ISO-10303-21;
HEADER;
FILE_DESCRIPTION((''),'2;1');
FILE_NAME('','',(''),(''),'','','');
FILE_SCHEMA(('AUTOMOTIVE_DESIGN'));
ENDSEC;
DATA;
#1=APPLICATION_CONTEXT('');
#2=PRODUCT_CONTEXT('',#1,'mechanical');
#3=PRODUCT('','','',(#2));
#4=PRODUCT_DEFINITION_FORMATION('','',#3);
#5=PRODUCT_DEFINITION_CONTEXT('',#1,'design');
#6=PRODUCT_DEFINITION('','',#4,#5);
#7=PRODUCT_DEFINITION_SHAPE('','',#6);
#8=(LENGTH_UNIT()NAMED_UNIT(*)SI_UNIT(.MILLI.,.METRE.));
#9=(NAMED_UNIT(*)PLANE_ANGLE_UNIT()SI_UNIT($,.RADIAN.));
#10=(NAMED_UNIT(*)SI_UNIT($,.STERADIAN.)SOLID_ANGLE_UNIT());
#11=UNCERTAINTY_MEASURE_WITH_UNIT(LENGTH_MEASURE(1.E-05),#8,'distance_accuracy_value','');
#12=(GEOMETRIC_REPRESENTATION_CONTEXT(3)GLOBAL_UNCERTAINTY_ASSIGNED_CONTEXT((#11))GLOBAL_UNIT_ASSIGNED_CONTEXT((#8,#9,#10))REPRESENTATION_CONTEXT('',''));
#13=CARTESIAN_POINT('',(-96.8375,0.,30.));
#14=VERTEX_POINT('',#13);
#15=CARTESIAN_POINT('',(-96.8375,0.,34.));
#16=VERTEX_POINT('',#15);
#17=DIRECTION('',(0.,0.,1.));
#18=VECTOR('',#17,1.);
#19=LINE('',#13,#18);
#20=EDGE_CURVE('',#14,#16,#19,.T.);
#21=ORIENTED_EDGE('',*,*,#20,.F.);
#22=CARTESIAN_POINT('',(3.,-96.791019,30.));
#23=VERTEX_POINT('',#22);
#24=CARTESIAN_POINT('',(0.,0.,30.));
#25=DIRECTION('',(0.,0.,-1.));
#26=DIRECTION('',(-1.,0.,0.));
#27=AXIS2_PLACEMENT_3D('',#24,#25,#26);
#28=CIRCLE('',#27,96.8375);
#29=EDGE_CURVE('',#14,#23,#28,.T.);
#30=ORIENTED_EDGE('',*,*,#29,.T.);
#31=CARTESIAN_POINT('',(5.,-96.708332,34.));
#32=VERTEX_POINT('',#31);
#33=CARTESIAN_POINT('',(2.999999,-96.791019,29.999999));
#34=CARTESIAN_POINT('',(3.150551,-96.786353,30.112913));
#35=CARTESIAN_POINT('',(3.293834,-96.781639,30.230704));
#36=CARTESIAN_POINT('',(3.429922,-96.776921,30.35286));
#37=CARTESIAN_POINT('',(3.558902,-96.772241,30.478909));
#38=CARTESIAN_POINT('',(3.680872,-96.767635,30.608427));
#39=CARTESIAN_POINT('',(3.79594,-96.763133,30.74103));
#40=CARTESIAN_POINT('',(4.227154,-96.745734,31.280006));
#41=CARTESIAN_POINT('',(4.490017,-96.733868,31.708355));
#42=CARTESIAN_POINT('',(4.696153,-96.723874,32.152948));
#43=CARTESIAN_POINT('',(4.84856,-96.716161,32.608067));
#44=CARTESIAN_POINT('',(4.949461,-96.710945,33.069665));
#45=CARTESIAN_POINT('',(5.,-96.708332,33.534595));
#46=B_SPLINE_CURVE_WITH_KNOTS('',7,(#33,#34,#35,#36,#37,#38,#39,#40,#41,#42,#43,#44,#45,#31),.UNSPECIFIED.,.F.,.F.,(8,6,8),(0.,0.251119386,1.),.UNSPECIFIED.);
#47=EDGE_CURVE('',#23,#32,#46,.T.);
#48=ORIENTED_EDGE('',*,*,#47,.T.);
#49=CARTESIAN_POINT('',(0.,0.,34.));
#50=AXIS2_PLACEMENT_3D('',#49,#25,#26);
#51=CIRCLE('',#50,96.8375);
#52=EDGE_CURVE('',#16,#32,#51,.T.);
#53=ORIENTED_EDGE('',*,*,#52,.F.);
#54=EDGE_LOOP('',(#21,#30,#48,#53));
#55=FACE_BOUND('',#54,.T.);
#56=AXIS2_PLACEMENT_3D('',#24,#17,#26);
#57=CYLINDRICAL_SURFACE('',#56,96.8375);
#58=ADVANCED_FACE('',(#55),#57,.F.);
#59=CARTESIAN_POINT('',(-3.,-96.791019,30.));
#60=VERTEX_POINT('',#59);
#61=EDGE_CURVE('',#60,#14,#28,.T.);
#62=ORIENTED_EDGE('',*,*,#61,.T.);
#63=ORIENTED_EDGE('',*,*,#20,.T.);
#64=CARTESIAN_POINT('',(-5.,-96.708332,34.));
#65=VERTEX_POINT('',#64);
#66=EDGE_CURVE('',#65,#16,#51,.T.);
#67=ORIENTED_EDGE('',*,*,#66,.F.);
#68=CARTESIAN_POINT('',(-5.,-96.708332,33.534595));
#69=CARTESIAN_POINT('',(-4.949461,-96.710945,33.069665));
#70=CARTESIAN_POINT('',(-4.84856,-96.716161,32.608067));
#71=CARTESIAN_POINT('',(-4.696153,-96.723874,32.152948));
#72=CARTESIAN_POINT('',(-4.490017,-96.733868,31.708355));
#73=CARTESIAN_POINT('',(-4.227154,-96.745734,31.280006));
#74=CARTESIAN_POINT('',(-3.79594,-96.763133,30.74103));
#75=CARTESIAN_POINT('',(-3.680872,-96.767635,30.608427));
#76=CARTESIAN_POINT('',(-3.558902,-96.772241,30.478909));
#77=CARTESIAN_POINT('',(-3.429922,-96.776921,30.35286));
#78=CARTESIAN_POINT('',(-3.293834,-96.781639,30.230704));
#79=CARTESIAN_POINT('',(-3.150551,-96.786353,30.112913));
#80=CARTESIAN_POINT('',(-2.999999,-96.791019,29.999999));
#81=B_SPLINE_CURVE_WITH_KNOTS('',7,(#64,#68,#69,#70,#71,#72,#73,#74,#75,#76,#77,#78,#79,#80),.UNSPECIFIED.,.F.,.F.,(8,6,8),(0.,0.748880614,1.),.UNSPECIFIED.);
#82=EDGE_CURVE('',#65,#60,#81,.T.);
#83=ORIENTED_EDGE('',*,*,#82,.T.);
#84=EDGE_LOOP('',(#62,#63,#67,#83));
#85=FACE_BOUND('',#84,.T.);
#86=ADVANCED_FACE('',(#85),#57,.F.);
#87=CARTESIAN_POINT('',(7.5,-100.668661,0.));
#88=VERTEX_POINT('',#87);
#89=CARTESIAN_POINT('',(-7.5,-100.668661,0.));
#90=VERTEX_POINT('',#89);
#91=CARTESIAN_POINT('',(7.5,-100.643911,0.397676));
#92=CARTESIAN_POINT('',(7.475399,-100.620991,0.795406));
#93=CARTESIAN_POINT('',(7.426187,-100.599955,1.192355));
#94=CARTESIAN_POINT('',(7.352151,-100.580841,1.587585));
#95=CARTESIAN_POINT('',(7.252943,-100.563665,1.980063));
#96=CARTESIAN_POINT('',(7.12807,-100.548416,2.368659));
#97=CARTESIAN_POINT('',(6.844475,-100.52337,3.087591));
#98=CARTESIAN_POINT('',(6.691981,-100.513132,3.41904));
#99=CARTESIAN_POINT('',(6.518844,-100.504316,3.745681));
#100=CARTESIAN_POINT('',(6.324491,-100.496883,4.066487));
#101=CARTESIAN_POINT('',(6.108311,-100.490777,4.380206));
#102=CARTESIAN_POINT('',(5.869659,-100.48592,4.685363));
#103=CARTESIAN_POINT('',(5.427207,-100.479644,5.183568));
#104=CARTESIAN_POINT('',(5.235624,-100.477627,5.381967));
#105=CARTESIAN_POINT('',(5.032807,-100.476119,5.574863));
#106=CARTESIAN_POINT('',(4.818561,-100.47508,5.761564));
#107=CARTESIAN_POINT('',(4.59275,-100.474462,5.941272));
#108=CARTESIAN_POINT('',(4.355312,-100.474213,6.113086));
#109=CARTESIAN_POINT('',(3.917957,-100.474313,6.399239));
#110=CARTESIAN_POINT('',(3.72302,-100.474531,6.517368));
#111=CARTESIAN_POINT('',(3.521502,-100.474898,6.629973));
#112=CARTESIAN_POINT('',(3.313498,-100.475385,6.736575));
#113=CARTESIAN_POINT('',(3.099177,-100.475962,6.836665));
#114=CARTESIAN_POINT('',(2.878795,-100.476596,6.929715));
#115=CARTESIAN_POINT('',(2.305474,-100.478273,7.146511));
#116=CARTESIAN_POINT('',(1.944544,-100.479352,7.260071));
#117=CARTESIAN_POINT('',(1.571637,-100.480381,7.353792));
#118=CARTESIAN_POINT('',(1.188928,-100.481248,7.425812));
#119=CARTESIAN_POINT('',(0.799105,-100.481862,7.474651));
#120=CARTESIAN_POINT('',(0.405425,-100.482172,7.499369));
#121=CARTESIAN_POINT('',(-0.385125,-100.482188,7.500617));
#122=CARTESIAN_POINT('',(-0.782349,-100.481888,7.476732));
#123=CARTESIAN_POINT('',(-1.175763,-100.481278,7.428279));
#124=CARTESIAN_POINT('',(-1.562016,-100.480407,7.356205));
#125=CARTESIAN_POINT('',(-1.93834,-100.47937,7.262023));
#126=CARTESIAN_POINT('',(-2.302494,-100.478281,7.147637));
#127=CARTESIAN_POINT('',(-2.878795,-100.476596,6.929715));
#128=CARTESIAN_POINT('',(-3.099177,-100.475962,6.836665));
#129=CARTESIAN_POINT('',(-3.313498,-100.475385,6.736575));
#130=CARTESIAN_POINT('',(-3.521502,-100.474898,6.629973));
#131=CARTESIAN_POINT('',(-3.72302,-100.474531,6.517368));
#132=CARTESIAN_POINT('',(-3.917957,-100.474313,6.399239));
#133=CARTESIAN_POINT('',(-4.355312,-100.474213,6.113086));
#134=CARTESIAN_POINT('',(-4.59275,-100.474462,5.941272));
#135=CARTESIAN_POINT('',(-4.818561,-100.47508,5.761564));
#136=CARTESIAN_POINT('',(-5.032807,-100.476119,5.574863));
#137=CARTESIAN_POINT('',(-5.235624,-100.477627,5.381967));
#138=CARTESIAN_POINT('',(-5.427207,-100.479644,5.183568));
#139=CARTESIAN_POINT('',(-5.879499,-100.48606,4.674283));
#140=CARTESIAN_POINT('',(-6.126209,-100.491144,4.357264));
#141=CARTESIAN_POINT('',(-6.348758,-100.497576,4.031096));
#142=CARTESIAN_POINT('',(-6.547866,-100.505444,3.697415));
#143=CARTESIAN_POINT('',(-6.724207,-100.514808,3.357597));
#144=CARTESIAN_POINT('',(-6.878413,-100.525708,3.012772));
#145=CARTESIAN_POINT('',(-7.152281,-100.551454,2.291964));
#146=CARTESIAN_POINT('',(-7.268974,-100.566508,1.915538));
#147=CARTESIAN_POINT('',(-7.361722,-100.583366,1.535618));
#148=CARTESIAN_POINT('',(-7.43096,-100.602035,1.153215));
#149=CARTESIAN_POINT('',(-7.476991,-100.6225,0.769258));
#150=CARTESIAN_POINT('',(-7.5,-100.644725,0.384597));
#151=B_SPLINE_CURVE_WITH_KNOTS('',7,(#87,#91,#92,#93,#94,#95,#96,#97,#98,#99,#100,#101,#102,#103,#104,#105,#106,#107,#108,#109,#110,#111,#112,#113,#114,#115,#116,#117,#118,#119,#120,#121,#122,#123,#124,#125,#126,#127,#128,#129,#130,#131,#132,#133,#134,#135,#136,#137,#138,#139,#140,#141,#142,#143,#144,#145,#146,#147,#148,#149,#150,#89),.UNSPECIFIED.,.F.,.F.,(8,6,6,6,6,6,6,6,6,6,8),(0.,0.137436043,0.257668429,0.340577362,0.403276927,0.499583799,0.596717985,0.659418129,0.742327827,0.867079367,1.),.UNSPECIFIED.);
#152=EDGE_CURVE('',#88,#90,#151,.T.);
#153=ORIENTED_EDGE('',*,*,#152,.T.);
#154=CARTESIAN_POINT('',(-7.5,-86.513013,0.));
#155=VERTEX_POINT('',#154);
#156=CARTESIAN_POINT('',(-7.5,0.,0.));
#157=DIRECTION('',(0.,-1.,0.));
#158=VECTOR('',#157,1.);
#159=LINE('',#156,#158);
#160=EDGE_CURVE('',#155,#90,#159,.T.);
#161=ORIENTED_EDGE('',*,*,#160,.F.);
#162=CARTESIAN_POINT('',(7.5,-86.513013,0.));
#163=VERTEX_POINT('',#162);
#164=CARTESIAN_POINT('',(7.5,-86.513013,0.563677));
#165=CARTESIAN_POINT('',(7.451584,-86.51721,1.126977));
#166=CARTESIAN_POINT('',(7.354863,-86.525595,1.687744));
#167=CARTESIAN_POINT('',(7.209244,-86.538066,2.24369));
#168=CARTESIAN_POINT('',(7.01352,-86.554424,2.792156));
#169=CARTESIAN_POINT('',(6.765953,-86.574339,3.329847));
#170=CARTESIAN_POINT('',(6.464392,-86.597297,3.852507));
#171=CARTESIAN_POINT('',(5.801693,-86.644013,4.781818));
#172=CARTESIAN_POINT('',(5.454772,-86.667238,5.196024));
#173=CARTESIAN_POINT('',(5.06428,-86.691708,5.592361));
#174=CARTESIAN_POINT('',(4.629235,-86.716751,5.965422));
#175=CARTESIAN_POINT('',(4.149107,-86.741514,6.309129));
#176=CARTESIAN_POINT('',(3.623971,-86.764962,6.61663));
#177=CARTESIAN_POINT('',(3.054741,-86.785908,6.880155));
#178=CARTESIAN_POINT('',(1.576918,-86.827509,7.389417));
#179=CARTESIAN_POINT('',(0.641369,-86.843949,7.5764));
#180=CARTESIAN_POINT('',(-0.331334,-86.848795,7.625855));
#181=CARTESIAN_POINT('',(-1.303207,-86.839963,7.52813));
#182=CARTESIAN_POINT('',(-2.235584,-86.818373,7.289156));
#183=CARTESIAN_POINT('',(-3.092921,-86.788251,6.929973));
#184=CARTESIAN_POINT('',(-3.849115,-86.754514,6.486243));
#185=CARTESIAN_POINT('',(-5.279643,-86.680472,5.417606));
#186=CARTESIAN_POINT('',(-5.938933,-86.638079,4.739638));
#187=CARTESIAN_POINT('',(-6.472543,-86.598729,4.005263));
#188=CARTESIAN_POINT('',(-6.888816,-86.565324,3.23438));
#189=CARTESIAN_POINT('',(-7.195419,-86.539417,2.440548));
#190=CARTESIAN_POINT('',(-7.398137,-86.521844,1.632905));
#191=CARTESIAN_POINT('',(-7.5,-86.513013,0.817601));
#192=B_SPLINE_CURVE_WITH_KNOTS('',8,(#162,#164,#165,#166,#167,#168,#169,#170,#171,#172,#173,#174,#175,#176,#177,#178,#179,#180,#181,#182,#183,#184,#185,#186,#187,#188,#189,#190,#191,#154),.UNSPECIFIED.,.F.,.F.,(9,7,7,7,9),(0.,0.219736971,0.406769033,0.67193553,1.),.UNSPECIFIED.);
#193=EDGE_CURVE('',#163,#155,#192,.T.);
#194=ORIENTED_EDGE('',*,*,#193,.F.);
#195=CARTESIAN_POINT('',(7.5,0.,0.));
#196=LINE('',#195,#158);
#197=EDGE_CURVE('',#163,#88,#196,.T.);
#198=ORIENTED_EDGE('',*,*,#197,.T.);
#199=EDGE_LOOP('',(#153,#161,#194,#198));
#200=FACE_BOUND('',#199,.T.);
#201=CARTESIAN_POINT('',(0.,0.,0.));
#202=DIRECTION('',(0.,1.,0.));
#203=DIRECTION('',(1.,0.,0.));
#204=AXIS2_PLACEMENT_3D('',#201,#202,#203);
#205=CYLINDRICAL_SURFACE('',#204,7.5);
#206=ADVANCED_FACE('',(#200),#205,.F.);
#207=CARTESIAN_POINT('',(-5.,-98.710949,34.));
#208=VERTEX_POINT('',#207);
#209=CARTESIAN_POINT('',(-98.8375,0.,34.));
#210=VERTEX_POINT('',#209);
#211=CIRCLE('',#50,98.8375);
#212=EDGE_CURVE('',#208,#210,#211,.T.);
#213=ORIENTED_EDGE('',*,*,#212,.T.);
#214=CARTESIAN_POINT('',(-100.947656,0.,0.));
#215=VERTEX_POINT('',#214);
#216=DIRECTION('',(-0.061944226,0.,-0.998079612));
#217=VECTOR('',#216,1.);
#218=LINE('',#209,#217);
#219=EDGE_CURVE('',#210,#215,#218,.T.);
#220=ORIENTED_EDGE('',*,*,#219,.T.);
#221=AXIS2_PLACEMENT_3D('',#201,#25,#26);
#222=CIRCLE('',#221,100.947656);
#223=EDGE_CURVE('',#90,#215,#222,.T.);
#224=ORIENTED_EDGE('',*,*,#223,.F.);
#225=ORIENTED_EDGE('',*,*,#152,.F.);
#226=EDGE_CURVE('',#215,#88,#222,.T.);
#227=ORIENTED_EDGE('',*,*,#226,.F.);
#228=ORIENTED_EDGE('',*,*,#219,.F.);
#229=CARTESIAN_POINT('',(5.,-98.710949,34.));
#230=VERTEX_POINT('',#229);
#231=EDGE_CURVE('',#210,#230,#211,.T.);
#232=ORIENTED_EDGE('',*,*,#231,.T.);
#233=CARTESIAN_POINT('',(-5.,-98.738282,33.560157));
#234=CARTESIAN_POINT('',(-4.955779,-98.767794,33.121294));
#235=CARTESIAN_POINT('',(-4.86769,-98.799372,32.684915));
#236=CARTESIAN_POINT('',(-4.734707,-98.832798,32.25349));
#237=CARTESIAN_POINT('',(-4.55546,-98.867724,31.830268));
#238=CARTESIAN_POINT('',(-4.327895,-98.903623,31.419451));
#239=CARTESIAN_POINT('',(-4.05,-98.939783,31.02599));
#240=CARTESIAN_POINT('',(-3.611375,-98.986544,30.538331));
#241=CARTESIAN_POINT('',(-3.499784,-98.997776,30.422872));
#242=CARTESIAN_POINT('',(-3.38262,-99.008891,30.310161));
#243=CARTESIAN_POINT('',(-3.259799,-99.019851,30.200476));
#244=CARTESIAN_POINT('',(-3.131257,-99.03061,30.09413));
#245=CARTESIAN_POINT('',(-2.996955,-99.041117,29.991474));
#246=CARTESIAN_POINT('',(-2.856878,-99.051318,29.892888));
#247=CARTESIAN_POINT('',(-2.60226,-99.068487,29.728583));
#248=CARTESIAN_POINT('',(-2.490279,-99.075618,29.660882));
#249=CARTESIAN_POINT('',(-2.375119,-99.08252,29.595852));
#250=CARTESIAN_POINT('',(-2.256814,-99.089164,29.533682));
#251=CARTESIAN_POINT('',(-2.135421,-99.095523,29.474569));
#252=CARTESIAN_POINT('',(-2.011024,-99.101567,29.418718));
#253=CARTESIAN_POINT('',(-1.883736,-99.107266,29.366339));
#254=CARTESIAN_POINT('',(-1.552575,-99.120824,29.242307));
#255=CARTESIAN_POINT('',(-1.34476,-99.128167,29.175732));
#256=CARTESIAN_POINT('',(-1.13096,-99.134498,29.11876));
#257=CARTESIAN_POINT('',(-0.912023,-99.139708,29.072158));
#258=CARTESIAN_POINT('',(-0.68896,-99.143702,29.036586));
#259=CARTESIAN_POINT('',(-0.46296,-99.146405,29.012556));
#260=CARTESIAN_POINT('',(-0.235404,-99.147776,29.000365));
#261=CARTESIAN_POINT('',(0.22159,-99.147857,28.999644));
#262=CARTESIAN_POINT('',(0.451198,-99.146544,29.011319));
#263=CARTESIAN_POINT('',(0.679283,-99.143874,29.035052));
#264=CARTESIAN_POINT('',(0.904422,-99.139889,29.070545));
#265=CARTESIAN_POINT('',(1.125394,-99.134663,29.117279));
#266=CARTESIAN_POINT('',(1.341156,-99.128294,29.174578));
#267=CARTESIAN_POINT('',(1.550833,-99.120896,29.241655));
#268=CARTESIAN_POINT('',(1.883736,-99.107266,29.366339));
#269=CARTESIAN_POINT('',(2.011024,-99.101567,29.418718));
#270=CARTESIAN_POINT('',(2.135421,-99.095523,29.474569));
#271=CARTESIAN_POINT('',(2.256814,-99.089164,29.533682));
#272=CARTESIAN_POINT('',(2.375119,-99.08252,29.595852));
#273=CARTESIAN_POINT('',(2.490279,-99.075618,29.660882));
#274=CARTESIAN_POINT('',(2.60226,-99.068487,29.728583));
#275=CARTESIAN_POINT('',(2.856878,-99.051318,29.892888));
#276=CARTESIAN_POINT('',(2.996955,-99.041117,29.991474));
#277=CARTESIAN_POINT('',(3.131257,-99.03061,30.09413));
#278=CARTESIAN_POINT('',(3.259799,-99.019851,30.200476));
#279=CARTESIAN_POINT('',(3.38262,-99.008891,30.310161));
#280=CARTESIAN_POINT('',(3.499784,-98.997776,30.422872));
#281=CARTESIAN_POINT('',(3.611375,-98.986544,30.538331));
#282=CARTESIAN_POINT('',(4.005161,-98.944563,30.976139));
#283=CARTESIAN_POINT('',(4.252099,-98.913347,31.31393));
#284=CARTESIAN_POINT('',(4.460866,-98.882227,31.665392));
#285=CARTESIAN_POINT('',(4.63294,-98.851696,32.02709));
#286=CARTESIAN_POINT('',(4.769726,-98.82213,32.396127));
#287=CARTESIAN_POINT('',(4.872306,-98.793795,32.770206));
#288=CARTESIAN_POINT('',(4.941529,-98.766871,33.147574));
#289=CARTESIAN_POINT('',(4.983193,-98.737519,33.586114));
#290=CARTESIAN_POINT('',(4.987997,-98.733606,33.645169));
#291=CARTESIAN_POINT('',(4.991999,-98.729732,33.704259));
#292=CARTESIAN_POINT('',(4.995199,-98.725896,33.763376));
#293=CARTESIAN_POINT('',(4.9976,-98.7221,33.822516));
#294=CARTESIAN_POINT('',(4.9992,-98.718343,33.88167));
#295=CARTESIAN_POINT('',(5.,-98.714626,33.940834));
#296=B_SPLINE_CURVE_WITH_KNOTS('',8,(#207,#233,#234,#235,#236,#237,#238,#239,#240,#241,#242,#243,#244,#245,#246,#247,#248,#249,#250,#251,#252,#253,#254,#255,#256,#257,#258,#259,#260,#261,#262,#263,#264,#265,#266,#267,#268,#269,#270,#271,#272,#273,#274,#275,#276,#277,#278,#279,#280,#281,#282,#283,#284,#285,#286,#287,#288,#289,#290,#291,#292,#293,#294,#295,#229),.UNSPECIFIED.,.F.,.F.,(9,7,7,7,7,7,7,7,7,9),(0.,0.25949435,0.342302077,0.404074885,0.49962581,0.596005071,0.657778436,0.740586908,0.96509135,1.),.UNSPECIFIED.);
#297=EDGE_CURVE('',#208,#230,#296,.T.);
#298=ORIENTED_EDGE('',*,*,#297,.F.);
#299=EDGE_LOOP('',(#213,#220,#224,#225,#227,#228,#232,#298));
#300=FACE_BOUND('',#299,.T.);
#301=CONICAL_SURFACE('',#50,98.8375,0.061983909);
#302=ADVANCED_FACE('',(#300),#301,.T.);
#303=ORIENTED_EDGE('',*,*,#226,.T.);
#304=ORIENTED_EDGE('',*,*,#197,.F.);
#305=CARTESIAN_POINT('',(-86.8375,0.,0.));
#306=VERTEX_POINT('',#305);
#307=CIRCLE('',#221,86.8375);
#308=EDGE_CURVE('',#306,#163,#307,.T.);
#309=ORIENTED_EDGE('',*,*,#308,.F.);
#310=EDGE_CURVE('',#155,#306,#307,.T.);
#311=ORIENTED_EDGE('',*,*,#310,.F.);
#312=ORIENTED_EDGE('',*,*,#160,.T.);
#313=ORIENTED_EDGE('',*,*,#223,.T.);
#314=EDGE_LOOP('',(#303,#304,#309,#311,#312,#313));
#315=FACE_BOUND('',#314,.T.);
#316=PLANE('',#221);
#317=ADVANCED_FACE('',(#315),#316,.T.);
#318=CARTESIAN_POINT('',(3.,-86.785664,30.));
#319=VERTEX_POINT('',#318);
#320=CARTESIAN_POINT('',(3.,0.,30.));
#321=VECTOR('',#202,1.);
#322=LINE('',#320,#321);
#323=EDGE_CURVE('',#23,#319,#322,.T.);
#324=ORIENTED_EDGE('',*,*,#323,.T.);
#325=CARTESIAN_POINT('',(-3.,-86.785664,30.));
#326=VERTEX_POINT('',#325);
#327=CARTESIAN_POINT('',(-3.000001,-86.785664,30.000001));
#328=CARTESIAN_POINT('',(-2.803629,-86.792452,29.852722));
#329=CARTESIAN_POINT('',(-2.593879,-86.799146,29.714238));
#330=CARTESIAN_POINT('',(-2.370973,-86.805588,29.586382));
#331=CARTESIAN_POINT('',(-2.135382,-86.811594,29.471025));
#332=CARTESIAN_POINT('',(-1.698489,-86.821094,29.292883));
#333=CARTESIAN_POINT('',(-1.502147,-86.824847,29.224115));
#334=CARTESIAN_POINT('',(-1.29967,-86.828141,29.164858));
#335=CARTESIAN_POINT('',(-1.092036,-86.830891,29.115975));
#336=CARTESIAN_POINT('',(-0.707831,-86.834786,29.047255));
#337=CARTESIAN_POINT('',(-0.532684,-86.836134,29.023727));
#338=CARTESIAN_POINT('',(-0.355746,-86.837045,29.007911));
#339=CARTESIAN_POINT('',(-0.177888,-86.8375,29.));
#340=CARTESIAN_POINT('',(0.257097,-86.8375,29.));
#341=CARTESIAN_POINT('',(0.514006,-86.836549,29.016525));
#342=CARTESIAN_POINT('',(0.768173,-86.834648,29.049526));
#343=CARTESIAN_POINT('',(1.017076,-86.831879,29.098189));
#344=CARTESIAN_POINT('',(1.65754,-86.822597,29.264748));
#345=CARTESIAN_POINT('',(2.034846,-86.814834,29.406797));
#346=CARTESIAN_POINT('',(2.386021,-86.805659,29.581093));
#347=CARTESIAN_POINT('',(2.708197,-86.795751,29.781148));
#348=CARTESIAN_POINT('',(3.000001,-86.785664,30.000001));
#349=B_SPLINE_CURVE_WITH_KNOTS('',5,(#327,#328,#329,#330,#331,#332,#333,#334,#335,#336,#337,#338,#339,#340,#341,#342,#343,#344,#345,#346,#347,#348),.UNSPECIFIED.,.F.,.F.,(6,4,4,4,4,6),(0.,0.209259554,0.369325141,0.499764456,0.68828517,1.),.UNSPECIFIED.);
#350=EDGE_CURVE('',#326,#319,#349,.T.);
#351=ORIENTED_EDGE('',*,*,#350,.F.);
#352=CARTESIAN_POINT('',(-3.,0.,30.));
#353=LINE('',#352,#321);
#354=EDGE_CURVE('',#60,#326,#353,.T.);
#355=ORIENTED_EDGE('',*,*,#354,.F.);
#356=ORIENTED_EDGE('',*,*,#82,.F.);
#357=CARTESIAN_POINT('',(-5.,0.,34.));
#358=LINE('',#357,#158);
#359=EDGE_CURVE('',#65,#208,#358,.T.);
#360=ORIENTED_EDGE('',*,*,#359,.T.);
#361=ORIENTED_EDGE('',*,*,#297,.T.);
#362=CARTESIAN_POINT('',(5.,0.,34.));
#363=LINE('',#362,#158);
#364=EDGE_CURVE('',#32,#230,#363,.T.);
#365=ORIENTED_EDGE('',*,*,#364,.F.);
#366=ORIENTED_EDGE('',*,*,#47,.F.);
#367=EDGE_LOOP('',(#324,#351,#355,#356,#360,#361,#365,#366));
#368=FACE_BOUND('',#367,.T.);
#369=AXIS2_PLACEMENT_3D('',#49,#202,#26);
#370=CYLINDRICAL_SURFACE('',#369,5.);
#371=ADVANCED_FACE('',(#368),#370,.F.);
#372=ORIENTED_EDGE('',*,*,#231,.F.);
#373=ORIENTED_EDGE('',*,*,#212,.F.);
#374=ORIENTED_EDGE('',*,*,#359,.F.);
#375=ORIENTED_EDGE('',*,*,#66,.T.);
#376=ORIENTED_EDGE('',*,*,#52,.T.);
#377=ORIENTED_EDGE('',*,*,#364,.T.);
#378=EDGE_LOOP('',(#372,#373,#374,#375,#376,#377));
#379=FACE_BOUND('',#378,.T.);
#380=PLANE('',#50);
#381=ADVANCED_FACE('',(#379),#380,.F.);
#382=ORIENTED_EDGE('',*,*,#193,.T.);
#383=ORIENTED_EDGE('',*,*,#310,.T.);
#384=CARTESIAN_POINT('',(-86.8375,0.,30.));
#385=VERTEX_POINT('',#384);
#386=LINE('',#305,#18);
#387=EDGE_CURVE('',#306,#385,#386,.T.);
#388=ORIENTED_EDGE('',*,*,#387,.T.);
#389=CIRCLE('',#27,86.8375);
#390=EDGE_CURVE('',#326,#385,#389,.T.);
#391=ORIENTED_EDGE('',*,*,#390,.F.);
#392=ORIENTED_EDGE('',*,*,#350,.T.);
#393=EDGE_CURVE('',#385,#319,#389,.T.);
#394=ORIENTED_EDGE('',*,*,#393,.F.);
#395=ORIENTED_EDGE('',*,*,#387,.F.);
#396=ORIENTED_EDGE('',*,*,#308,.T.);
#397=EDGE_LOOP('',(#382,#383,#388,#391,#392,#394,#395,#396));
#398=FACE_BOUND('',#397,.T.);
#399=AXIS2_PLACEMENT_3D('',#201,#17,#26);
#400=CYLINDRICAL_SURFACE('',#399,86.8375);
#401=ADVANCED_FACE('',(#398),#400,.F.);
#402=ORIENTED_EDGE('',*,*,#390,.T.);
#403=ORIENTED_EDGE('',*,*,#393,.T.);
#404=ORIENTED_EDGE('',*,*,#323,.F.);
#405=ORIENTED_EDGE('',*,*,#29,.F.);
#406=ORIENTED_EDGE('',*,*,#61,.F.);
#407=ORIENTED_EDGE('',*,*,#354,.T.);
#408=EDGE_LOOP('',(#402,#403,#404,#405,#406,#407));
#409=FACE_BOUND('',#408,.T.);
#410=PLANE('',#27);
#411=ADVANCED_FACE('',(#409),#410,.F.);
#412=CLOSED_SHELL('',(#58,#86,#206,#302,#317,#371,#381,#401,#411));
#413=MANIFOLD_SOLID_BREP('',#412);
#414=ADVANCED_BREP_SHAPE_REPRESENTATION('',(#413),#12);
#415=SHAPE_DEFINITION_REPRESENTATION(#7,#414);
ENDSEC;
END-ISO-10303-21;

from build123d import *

# Parameters (mm, degrees)
F4_DEPTH = 122.3


with BuildPart() as f1:
    # F0 (on Front) → F1 (revolve)
    with BuildSketch(Plane.XZ):
        Polygon((-86.8375, 30), (-96.8375, 30), (-96.8375, 34), (-98.8375, 34), (-100.947656, 0), (-96.8375, 0), (-86.8375, 0), align=None)
    revolve(axis=Axis((0, 0, -4.859696), (0, 0, -1)))

    # F2 (on Front) + F3 (on Front) → F4 (cut)
    with BuildSketch(Plane.XZ):
        with BuildLine():
            Line((5, 34), (-5, 34))
            ThreePointArc((-5, 34), (0, 29), (5, 34))
        make_face()
    with BuildSketch(Plane.XZ):
        with BuildLine():
            Line((0, 0), (7.5, 0))
            ThreePointArc((7.5, 0), (0, 7.5), (-7.5, 0))
            Line((-7.5, 0), (0, 0))
        make_face()
    extrude(amount=F4_DEPTH, mode=Mode.SUBTRACT)


solid = f1.part
